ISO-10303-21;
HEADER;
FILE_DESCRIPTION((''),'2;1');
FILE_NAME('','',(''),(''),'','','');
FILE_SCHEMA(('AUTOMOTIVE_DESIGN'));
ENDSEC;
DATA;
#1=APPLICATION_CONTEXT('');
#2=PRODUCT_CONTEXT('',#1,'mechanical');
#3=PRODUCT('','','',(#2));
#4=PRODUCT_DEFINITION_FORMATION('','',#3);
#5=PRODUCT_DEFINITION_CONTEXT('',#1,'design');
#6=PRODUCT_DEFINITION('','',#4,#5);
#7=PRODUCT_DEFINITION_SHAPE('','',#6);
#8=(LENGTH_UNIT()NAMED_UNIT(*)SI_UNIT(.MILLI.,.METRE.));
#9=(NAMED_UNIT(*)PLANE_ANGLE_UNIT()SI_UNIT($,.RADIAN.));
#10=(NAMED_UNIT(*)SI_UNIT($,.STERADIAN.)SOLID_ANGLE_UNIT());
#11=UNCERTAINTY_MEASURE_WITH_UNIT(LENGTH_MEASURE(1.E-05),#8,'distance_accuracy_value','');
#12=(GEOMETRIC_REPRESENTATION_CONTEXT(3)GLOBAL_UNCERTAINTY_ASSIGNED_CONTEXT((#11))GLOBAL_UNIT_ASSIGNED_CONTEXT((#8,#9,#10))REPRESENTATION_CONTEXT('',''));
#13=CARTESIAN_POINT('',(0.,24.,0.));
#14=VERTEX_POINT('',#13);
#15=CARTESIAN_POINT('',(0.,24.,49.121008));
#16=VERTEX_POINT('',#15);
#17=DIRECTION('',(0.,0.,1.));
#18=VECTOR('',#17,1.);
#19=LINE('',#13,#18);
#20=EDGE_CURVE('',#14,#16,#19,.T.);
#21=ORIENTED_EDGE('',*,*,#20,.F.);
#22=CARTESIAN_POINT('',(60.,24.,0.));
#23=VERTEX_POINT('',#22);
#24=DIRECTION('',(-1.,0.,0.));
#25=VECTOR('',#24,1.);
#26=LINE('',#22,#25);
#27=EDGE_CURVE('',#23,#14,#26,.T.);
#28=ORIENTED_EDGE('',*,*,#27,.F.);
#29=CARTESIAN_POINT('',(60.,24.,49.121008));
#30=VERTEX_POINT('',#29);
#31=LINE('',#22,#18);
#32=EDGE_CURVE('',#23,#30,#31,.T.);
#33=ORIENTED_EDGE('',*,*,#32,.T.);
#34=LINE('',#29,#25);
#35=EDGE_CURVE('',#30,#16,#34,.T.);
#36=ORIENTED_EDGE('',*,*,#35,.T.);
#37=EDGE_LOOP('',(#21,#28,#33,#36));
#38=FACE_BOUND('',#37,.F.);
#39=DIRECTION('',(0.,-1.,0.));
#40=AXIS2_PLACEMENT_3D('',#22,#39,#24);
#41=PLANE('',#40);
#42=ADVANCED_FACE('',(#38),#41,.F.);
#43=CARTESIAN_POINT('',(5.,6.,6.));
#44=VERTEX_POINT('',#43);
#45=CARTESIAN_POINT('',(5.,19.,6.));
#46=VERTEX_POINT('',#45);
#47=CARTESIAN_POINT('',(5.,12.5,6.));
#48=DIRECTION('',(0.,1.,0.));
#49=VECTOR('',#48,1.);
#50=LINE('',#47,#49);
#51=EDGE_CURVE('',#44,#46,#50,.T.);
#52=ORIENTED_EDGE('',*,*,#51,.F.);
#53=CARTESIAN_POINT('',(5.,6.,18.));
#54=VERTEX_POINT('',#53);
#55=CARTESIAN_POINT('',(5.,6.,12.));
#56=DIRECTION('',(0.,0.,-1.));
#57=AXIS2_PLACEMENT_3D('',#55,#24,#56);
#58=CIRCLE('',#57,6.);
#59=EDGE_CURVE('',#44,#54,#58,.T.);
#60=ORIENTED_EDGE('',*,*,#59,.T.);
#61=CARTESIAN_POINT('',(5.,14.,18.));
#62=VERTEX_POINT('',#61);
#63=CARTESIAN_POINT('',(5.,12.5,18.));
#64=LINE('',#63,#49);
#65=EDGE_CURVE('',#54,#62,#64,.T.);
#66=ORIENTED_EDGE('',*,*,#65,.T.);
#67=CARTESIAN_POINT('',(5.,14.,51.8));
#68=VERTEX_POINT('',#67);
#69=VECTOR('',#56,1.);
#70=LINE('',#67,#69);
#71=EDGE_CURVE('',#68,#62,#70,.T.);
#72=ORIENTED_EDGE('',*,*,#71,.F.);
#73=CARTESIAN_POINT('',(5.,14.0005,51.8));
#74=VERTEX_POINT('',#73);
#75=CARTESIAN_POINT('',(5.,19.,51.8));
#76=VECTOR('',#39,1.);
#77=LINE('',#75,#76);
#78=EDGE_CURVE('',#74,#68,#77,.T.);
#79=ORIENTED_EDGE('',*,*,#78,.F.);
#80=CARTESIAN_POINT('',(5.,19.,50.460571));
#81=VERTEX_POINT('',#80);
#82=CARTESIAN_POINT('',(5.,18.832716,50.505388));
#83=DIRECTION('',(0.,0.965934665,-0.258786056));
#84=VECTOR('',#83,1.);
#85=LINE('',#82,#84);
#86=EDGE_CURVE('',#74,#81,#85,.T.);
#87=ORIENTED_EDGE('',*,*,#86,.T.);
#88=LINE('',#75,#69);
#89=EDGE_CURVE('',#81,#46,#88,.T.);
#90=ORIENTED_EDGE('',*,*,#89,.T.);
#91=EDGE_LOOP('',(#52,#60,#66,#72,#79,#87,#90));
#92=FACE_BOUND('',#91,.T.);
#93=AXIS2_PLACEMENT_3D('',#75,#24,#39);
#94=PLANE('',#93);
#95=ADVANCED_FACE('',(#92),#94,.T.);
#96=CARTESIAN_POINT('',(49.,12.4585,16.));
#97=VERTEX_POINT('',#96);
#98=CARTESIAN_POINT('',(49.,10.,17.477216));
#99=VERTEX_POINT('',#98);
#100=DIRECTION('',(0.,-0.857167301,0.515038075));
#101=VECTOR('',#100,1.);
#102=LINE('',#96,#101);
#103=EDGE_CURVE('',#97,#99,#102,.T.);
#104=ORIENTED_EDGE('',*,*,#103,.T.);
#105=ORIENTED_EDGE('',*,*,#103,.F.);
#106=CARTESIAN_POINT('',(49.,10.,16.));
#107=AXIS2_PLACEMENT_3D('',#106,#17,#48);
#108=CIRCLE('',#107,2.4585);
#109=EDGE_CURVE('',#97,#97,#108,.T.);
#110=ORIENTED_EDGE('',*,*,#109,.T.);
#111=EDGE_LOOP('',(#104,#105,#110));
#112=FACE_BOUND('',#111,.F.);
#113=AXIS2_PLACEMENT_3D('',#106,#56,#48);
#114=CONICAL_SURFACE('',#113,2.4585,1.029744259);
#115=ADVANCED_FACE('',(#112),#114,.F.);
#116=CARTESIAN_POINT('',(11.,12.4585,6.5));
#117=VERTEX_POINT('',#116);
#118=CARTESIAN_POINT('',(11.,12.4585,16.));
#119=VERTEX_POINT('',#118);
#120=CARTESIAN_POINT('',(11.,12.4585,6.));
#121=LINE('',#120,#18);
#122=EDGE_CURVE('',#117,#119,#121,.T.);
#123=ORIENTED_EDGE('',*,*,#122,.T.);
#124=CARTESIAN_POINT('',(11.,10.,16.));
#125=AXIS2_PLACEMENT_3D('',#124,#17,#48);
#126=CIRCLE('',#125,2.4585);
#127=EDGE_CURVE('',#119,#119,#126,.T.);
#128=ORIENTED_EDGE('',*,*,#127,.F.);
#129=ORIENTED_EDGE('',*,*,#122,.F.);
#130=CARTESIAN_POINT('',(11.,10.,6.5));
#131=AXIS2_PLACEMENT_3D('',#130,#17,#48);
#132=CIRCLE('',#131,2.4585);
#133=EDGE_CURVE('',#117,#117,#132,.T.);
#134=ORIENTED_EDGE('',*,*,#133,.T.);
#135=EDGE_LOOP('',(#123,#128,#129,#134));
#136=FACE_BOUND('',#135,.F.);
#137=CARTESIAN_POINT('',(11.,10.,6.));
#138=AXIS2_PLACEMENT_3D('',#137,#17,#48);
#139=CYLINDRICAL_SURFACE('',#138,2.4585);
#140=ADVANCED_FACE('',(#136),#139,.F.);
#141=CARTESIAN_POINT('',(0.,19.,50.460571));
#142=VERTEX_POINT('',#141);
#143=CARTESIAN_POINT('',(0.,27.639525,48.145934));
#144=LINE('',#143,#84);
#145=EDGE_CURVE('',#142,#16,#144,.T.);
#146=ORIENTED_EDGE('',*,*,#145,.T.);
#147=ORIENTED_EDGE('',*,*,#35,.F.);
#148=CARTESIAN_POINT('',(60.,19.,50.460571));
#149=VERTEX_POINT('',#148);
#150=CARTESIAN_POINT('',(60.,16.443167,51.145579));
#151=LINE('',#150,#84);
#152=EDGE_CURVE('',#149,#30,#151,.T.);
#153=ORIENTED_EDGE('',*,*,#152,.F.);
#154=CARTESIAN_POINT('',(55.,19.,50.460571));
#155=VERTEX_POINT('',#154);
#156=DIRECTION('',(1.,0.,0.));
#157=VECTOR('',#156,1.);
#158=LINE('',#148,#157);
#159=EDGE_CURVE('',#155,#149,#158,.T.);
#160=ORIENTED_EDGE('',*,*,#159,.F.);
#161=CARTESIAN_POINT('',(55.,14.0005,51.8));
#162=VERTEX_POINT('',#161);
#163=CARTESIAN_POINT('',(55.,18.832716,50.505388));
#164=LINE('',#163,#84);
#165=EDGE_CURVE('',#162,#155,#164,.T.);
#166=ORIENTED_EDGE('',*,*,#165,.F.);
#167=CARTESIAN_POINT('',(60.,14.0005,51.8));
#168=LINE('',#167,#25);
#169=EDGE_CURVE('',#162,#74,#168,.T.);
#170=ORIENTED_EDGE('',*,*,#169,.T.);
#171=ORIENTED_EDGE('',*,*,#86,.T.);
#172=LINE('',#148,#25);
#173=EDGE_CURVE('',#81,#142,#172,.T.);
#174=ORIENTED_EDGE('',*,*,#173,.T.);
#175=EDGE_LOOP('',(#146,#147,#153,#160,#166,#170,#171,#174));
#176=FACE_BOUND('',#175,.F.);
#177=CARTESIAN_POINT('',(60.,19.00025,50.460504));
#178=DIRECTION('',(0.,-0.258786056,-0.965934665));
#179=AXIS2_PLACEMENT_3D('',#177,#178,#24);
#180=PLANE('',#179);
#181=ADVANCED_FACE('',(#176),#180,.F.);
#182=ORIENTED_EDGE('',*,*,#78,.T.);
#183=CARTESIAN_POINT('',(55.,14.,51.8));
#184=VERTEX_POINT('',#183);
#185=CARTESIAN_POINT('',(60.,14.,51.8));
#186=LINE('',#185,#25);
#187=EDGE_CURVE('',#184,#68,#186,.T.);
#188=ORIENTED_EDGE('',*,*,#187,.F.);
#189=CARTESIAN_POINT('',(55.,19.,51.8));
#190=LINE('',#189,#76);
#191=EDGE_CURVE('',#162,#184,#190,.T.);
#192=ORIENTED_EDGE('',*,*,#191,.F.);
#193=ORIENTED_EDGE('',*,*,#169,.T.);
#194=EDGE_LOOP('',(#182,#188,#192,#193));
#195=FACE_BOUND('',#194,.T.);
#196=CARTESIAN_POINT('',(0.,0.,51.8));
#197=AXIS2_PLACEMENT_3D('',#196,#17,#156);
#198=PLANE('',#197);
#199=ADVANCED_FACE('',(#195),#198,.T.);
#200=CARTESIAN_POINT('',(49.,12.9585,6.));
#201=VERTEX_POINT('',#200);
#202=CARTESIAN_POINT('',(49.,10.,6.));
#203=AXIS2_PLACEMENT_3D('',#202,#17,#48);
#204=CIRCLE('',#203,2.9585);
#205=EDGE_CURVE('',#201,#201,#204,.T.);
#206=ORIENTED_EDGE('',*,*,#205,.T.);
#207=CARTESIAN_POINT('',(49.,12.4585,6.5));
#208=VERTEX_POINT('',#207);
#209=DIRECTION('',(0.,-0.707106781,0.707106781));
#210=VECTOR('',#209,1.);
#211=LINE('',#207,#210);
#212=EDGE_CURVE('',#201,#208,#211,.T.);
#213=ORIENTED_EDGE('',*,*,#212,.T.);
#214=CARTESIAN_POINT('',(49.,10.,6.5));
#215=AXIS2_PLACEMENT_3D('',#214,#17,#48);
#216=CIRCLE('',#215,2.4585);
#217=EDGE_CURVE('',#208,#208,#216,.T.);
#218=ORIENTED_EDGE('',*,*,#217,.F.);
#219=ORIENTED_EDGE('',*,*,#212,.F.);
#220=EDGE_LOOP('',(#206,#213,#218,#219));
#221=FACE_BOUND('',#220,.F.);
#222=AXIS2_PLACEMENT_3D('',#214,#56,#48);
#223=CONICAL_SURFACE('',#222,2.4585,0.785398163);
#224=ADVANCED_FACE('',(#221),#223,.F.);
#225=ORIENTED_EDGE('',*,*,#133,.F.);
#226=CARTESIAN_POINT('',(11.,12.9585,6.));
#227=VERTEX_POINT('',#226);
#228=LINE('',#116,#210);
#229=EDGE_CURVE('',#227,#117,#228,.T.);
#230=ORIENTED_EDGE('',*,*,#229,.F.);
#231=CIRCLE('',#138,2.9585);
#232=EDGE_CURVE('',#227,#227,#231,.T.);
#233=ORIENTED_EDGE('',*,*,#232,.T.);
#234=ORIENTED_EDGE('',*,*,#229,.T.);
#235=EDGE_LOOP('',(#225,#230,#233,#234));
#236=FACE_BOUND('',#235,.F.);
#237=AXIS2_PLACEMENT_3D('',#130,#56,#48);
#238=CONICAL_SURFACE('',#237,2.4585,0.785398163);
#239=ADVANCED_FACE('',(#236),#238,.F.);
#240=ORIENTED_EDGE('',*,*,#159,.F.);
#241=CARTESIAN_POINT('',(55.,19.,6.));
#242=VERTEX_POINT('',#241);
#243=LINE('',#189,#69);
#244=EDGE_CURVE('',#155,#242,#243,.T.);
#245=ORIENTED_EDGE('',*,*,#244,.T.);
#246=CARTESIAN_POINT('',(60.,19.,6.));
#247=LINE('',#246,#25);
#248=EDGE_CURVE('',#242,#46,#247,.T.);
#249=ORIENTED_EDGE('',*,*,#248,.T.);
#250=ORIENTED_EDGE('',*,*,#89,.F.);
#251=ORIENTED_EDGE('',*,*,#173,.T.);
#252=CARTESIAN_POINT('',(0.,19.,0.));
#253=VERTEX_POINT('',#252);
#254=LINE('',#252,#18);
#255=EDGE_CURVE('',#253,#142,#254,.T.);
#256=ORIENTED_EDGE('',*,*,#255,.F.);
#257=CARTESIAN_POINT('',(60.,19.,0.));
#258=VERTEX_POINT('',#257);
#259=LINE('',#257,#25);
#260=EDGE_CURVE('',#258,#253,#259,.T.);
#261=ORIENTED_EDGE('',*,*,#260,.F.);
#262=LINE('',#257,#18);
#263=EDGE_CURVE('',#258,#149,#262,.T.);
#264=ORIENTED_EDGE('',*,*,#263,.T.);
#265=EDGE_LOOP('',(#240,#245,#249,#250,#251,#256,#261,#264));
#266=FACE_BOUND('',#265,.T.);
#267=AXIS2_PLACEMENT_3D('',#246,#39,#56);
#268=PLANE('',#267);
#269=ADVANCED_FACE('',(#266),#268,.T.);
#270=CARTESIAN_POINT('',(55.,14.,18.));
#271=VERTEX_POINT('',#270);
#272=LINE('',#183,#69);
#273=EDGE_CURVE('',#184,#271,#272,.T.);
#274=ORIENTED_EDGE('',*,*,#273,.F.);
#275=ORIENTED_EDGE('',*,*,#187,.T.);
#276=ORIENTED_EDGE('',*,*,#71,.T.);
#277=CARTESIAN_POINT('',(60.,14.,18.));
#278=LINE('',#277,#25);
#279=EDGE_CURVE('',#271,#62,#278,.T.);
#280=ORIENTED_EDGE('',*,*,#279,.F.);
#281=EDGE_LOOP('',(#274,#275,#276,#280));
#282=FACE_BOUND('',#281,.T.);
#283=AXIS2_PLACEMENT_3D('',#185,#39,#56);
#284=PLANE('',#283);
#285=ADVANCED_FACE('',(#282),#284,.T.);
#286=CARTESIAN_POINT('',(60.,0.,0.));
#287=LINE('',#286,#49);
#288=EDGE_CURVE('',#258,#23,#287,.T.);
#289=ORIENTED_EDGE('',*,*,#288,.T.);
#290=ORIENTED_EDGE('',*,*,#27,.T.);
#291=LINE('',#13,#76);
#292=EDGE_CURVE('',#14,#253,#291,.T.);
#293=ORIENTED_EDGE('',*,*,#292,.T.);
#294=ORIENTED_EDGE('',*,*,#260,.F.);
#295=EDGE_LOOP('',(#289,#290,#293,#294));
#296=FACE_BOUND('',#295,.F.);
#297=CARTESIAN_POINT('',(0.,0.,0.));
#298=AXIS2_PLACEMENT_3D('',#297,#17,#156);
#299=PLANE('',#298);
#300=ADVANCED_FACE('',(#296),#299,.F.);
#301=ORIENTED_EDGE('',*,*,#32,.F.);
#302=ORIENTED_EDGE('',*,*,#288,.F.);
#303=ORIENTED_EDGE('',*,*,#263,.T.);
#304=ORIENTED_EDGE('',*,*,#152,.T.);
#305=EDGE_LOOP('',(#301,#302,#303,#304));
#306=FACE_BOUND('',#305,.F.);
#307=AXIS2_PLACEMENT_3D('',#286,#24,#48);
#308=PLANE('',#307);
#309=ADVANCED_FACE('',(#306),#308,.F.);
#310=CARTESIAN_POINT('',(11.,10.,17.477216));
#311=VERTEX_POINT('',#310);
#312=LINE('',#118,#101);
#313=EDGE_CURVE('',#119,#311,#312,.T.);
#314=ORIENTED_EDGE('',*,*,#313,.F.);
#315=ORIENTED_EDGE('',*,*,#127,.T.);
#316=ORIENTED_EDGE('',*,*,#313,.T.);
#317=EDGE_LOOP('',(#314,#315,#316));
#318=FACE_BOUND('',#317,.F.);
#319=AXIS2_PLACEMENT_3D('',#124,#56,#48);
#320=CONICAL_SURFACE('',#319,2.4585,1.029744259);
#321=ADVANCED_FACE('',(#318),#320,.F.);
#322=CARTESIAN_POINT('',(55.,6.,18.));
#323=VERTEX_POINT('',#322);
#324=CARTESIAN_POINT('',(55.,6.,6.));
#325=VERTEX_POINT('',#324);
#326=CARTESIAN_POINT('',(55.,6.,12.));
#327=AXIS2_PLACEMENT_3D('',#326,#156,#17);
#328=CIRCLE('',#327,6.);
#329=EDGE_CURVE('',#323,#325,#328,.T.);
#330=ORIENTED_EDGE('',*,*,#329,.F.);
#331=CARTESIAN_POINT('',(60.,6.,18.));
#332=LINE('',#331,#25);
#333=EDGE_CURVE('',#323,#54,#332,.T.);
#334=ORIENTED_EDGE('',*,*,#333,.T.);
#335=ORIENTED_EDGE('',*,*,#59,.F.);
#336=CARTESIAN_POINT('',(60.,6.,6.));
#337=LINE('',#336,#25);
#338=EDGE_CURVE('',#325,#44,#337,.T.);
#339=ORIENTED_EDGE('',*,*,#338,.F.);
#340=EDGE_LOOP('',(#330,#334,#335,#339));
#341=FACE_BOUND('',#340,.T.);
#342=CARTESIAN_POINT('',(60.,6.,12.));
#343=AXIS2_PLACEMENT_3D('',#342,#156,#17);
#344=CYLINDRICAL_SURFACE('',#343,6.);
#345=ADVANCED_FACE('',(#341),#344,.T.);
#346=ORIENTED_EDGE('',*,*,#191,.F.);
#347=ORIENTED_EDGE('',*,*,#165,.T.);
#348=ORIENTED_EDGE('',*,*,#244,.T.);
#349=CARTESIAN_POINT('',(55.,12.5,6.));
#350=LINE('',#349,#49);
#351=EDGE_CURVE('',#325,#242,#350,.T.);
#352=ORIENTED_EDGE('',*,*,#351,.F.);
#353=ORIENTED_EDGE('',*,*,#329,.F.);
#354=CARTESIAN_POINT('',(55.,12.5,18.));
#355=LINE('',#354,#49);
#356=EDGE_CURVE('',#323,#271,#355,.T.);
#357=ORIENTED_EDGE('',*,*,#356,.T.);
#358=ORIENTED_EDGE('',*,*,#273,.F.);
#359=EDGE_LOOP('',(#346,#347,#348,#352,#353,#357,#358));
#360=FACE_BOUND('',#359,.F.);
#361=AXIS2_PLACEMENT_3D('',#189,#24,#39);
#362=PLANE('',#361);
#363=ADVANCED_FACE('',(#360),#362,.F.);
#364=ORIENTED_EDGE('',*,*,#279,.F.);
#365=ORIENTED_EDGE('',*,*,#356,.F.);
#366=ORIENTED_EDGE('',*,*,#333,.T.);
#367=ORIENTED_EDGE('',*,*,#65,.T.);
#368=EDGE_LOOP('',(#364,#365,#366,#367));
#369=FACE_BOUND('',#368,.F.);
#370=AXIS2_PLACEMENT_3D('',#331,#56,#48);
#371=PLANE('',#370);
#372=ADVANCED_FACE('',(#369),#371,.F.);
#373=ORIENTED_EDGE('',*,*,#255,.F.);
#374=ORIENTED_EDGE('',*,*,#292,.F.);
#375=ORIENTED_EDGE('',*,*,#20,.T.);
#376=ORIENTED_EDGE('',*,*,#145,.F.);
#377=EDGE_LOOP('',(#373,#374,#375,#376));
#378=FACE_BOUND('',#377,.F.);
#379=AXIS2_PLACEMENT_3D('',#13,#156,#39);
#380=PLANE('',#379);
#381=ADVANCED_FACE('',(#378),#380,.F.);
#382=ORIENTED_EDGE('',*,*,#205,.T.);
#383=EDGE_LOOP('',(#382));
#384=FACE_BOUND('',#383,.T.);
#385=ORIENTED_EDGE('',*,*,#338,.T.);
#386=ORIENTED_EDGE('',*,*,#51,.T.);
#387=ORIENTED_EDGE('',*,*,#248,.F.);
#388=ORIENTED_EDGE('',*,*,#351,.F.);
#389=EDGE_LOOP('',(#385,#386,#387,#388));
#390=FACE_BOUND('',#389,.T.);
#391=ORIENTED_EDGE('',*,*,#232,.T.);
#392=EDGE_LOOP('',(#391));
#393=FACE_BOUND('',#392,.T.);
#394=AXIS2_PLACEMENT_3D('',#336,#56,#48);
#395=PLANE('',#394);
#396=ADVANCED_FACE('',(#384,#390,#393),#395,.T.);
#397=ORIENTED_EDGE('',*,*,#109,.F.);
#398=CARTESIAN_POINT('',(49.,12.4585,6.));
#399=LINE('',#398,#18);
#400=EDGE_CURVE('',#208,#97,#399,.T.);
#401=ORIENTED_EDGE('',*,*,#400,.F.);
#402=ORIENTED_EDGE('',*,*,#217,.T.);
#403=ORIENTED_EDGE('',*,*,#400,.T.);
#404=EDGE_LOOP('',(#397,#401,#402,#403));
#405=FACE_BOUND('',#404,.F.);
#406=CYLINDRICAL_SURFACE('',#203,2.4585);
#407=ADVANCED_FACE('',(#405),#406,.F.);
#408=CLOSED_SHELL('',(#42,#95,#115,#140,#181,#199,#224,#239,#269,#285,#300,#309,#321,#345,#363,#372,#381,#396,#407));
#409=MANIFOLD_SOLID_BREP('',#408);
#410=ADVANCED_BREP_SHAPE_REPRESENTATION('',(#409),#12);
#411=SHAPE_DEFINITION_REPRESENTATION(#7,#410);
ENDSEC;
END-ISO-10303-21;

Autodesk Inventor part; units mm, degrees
ref_plane "YZ Plane" through (0, 0, 0) normal (1, 0, 0) x (0, 1, 0)
ref_plane "XZ Plane" through (0, 0, 0) normal (0, 1, 0) x (-1, 0, 0)
ref_plane "XY Plane" through (0, 0, 0) normal (0, 0, 1) x (1, 0, 0)
sketch "Sketch1" plane through (0, 0, 0) normal (0, 0, 1) x (1, 0, 0)
  line L0 (0, 0) -> (60, 0)
  line L1 (60, 0) -> (60, 24)
  line L2 (60, 24) -> (0, 24)
  line L3 (0, 24) -> (0, 0)
  dimension "d0" = 60
  dimension "d1" = 24
extrude "Extrusion1" add sketch "Sketch1" along normal blind 51.8
sketch "Sketch2" plane through (60, 0, 0) normal (1, 0, 0) x (0, 0, -1)
  line L0 (-51.8, 24) -> (-51.8, 0) projected
  line L1 (0, 0) -> (-51.8, 0) projected
  line L2 (0, 0) -> (0, 24) projected
  line L3 (0, 24) -> (-51.8, 24) projected
  line L4 (-51.8, 14) -> (-18, 14)
  arc A0 (-18, 6) -> (-6, 6) centre (-12, 6) ccw
  line L5 (-18, 6) -> (-18, 14)
  line L6 (-6, 6) -> (-6, 19)
  line L7 (-6, 19) -> (0, 19)
  dimension "d5" = 10
  dimension "d6" = 18
  dimension "d7" = 12
  dimension "d8" = 5
  dimension "d9" = 6
extrude "Extrusion2" cut sketch "Sketch2" against normal blind 60 contours L4 L5 A0 L1 L0 | L2 L1 A0 L6 L7
sketch "Sketch3" plane through (0, 0, 51.8) normal (0, 0, 1) x (1, 0, 0)
  line L0 (60, 0) -> (0, 0) projected
  line L1 (55, 19) -> (55, 0)
  line L2 (55, 0) -> (60, 0)
  line L3 (60, 0) -> (60, 19)
  line L4 (5, 19) -> (5, 0)
  line L5 (5, 0) -> (0, 0)
  line L6 (0, 0) -> (0, 19)
  line L7 (60, 19) -> (0, 19) projected
  line L8 (0, 24) -> (60, 24) projected
  line L9 (0, 0) -> (0, 24) projected
  line L10 (60, 24) -> (60, 0) projected
  line L11 (0, 19) -> (5, 19)
  line L12 (55, 19) -> (60, 19)
  point P0 (0, 14)
  point P1 (60, 14)
  dimension "d16" = 5
  dimension "d17" = 5
extrude "Extrusion3" cut sketch "Sketch3" against normal blind 52 contours L0 L1 L7 L3 | L0 L6 L7 L4
chamfer "Chamfer1" distance 10 angle 15 1 edges at (30, 24, 51.8) measured on face at (21.6667, 22.3333, 51.8)
sketch "Sketch5" plane through (55, 19, 6) normal (0, 0, -1) x (-1, 0, 0)
  line L0 (0, 0) -> (0, -13) projected
  line L1 (-5, 5) -> (55, 5) projected
  point P0 (55, -19)
  point P1 (6, -9)
  point P2 (44, -9)
  dimension "d35" = 38
  dimension "d36" = 6
  dimension "d37" = 14
  dimension "d38" = 14
hole "Hole2" at (49, 10, 6) at (11, 10, 6) direction (0, 0, 1) diameter 4.917 depth 10 tip angle 118 thread size "M6x1" class "6H" standard "ANSI Metric M Profile"
chamfer "Chamfer2" distance 0.5 angle 45 2 edges at (11, 7.5415, 6) (49, 7.5415, 6)
properties part number "TETO DA CABINE(15)" material "Carbon Steel"
